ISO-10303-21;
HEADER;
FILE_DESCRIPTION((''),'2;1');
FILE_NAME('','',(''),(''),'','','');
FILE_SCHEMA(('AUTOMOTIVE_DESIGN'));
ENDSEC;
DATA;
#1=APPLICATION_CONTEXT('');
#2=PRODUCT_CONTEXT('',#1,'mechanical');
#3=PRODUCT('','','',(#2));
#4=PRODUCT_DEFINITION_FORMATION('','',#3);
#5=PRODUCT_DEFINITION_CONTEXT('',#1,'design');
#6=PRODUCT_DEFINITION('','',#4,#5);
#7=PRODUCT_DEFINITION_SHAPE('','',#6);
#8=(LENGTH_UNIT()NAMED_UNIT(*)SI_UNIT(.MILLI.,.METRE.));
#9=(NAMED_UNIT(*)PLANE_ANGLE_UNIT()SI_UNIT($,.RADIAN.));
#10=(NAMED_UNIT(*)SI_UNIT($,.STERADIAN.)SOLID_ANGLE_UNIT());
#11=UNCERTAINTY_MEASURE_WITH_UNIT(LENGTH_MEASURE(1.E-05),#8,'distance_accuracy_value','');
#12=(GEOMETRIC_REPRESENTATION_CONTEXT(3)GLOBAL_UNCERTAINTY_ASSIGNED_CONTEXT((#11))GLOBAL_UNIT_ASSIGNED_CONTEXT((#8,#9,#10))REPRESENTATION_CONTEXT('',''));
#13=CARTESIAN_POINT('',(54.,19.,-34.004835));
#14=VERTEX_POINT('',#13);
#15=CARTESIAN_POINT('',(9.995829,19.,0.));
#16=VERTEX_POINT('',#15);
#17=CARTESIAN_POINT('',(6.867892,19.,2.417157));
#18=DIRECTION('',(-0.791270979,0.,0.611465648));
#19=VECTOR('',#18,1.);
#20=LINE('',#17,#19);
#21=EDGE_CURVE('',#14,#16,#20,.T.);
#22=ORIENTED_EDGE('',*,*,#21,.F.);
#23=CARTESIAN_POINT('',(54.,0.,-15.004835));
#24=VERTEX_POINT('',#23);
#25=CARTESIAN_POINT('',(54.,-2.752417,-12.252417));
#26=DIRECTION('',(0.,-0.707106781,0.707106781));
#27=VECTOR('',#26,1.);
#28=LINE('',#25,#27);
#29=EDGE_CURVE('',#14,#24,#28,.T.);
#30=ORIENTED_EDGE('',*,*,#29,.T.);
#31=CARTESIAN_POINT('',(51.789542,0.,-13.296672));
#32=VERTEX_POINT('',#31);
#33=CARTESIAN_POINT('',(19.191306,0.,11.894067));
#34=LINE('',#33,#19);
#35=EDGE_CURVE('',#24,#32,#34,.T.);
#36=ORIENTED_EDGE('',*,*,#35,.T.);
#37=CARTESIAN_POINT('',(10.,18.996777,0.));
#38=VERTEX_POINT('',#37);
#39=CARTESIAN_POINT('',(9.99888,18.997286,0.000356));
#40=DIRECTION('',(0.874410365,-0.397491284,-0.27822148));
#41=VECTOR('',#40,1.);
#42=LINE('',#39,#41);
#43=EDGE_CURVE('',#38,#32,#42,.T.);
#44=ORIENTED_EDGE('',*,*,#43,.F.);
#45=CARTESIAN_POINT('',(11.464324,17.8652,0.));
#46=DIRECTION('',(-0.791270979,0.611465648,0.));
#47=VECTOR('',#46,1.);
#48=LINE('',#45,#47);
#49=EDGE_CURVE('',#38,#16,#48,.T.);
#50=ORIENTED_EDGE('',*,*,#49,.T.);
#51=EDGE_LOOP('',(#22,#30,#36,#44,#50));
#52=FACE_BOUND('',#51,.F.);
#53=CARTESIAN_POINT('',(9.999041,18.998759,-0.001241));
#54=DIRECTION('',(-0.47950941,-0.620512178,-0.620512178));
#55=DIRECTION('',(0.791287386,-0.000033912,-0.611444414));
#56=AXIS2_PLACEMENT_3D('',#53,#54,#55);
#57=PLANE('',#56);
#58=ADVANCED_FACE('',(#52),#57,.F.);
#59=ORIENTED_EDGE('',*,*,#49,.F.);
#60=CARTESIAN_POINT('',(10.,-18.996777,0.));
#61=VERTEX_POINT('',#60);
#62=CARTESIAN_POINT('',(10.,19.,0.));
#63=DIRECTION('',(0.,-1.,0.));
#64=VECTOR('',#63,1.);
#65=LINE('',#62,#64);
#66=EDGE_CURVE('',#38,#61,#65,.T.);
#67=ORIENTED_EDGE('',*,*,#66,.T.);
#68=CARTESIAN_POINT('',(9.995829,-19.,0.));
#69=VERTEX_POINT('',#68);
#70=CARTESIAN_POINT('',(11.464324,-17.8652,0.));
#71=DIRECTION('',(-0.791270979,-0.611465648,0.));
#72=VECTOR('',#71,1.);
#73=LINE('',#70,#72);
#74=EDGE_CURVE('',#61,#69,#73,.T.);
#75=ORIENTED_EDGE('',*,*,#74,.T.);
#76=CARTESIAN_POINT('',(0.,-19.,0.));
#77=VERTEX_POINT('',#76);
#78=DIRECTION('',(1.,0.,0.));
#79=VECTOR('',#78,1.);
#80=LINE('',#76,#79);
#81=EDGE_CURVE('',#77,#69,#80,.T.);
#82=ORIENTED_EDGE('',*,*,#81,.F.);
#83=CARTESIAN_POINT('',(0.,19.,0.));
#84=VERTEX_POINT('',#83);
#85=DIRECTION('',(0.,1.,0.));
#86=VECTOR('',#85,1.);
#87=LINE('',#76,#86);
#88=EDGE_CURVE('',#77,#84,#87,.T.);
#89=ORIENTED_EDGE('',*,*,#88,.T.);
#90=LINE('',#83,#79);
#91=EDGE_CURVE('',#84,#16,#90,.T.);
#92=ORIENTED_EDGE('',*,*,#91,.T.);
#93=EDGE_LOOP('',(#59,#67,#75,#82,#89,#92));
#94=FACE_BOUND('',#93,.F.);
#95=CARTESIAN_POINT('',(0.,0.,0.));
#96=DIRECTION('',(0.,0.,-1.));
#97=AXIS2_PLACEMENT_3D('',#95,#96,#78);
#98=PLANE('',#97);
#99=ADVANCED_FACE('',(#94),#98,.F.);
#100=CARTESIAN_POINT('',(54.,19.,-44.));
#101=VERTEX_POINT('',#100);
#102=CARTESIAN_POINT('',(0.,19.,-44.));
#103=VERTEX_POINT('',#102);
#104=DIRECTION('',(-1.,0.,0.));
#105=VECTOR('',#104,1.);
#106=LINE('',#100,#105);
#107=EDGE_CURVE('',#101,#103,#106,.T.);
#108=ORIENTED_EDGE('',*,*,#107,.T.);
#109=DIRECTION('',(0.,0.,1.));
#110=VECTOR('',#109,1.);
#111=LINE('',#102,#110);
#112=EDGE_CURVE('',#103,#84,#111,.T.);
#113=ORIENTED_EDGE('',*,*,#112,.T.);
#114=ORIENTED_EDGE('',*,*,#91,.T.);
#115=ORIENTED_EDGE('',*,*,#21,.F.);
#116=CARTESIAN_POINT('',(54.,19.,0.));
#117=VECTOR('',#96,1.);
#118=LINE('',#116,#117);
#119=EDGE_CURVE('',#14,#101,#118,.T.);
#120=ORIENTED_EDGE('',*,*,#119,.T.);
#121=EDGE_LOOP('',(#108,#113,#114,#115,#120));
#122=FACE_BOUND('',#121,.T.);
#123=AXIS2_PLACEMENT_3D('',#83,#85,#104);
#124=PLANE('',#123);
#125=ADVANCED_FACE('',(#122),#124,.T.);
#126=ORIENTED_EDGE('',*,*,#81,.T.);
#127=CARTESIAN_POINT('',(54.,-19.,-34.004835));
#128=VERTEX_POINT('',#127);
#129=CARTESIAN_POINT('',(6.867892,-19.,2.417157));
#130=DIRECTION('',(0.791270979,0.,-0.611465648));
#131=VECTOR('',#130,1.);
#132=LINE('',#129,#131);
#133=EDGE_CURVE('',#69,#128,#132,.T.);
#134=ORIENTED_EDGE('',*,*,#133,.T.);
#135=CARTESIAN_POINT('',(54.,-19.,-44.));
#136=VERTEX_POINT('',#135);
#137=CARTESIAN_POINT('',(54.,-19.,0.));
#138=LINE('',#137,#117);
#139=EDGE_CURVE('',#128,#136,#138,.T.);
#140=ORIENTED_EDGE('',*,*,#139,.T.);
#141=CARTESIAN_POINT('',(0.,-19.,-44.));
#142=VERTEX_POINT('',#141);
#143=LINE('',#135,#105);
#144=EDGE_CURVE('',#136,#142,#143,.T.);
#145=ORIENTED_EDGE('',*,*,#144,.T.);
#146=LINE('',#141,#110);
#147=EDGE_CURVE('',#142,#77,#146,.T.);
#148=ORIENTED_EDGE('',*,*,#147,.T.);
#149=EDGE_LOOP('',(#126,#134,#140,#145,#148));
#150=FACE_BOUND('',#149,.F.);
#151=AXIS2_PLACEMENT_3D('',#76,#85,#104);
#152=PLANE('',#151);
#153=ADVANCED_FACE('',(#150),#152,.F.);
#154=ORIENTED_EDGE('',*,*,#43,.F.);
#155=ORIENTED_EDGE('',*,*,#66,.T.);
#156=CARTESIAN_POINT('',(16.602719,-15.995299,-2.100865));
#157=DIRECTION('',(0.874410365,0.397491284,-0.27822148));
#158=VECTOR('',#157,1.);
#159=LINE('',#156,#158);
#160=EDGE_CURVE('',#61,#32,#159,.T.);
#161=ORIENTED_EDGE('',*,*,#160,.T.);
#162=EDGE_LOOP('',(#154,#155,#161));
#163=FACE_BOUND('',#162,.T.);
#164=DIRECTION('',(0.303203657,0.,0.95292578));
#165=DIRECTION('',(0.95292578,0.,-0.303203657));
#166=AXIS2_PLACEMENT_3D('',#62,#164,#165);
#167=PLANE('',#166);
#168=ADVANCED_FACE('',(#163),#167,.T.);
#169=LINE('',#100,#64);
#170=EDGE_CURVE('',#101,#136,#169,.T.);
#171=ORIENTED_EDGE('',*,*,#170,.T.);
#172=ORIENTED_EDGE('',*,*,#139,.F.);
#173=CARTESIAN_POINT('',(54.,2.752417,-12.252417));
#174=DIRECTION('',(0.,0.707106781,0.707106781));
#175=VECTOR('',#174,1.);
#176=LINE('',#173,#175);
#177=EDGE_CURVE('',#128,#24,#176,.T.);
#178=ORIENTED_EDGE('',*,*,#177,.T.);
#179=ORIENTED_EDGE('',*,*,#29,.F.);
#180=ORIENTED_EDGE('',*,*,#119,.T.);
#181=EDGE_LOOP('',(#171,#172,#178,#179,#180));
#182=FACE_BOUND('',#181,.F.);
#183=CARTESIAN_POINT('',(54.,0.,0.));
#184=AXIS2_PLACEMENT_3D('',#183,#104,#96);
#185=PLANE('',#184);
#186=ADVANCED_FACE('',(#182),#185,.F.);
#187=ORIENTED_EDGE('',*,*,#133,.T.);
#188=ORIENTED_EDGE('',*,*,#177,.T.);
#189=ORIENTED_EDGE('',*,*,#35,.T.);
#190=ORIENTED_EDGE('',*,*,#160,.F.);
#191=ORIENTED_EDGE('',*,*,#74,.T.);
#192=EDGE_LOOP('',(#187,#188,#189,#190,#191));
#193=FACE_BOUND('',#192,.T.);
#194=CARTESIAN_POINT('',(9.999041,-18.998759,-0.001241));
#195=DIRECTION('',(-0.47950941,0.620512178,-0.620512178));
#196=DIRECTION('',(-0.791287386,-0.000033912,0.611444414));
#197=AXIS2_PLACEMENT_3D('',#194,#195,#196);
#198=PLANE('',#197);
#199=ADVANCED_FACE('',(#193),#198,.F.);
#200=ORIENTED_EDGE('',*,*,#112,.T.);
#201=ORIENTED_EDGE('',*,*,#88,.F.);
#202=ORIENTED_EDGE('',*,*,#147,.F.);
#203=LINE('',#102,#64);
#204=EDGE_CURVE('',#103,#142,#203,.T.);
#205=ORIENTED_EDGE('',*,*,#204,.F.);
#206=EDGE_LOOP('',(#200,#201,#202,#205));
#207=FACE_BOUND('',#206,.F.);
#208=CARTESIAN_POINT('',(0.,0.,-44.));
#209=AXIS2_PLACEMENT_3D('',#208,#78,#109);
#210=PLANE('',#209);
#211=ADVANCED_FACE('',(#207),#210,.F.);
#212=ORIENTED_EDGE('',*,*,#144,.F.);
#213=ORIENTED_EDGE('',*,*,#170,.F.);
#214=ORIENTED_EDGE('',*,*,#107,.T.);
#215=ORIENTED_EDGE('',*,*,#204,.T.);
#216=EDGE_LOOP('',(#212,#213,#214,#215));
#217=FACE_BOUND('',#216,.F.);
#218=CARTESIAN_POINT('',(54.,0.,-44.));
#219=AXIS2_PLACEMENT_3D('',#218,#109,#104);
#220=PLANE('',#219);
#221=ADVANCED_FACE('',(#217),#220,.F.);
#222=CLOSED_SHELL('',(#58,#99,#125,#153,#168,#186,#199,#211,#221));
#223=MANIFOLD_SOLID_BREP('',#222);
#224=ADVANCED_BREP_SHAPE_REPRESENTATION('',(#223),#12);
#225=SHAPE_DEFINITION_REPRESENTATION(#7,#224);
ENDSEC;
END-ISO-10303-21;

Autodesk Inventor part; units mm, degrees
ref_plane "YZ Plane" through (0, 0, 0) normal (1, 0, 0) x (0, 1, 0)
ref_plane "XZ Plane" through (0, 0, 0) normal (0, 1, 0) x (-1, 0, 0)
sketch "草圖1" plane through (0, 0, 0) normal (0, 1, 0) x (-1, 0, 0)
  line L0 (0, 0) -> (-54, 0)
  line L1 (-54, 0) -> (-54, -44)
  line L2 (-54, -44) -> (0, -44)
  line L3 (0, -44) -> (0, 0)
  dimension "d0" = 54
  dimension "d1" = 44
extrude "擠出1" add sketch "草圖1" along normal mid plane 38
sketch "草圖2" plane through (0, 19, 0) normal (0, 1, 0) x (1, 0, 0)
  line L0 (0, 0) -> (54, 0) projected
  line L1 (10, 0) -> (54, 14)
  line L2 (54, 0) -> (54, 44) projected
  dimension "d4" = 10
  dimension "d5" = 30
extrude "擠出2" cut sketch "草圖2" against normal blind 40
sketch "草圖3" plane through (54, -19, -44) normal (1, 0, 0) x (0, 0, -1)
  line L0 (-30, 18) -> (-10, 38)
  line L1 (0, 38) -> (-44, 38) projected
  line L2 (-30, 38) -> (-30, 0) projected
  point P0 (-44, 19)
  dimension "d8" = 20
  dimension "d9" = 20
ref_plane "工作平面1" through (10, 19, 0) normal (-0.4795, -0.6205, -0.6205) x (0.7913, 0, -0.6114)
sketch "草圖4" plane through (10, 19, 0) normal (-0.4795, -0.6205, -0.6205) x (0.7913, 0, -0.6114)
  line L0 (-15.1543, -12.3218) -> (93.717, -12.3218)
  line L1 (93.717, -12.3218) -> (93.717, 28.8166)
  line L2 (93.717, 28.8166) -> (-15.1543, 28.8166)
  line L3 (-15.1543, 28.8166) -> (-15.1543, -12.3218)
  point P0 (-7.9129, 11.1055)
extrude "擠出3" cut sketch "草圖4" against normal blind 40
mirror "鏡射1" about plane through (0, 0, 0) normal (0, 1, 0) of "擠出3"
properties part number "41"
